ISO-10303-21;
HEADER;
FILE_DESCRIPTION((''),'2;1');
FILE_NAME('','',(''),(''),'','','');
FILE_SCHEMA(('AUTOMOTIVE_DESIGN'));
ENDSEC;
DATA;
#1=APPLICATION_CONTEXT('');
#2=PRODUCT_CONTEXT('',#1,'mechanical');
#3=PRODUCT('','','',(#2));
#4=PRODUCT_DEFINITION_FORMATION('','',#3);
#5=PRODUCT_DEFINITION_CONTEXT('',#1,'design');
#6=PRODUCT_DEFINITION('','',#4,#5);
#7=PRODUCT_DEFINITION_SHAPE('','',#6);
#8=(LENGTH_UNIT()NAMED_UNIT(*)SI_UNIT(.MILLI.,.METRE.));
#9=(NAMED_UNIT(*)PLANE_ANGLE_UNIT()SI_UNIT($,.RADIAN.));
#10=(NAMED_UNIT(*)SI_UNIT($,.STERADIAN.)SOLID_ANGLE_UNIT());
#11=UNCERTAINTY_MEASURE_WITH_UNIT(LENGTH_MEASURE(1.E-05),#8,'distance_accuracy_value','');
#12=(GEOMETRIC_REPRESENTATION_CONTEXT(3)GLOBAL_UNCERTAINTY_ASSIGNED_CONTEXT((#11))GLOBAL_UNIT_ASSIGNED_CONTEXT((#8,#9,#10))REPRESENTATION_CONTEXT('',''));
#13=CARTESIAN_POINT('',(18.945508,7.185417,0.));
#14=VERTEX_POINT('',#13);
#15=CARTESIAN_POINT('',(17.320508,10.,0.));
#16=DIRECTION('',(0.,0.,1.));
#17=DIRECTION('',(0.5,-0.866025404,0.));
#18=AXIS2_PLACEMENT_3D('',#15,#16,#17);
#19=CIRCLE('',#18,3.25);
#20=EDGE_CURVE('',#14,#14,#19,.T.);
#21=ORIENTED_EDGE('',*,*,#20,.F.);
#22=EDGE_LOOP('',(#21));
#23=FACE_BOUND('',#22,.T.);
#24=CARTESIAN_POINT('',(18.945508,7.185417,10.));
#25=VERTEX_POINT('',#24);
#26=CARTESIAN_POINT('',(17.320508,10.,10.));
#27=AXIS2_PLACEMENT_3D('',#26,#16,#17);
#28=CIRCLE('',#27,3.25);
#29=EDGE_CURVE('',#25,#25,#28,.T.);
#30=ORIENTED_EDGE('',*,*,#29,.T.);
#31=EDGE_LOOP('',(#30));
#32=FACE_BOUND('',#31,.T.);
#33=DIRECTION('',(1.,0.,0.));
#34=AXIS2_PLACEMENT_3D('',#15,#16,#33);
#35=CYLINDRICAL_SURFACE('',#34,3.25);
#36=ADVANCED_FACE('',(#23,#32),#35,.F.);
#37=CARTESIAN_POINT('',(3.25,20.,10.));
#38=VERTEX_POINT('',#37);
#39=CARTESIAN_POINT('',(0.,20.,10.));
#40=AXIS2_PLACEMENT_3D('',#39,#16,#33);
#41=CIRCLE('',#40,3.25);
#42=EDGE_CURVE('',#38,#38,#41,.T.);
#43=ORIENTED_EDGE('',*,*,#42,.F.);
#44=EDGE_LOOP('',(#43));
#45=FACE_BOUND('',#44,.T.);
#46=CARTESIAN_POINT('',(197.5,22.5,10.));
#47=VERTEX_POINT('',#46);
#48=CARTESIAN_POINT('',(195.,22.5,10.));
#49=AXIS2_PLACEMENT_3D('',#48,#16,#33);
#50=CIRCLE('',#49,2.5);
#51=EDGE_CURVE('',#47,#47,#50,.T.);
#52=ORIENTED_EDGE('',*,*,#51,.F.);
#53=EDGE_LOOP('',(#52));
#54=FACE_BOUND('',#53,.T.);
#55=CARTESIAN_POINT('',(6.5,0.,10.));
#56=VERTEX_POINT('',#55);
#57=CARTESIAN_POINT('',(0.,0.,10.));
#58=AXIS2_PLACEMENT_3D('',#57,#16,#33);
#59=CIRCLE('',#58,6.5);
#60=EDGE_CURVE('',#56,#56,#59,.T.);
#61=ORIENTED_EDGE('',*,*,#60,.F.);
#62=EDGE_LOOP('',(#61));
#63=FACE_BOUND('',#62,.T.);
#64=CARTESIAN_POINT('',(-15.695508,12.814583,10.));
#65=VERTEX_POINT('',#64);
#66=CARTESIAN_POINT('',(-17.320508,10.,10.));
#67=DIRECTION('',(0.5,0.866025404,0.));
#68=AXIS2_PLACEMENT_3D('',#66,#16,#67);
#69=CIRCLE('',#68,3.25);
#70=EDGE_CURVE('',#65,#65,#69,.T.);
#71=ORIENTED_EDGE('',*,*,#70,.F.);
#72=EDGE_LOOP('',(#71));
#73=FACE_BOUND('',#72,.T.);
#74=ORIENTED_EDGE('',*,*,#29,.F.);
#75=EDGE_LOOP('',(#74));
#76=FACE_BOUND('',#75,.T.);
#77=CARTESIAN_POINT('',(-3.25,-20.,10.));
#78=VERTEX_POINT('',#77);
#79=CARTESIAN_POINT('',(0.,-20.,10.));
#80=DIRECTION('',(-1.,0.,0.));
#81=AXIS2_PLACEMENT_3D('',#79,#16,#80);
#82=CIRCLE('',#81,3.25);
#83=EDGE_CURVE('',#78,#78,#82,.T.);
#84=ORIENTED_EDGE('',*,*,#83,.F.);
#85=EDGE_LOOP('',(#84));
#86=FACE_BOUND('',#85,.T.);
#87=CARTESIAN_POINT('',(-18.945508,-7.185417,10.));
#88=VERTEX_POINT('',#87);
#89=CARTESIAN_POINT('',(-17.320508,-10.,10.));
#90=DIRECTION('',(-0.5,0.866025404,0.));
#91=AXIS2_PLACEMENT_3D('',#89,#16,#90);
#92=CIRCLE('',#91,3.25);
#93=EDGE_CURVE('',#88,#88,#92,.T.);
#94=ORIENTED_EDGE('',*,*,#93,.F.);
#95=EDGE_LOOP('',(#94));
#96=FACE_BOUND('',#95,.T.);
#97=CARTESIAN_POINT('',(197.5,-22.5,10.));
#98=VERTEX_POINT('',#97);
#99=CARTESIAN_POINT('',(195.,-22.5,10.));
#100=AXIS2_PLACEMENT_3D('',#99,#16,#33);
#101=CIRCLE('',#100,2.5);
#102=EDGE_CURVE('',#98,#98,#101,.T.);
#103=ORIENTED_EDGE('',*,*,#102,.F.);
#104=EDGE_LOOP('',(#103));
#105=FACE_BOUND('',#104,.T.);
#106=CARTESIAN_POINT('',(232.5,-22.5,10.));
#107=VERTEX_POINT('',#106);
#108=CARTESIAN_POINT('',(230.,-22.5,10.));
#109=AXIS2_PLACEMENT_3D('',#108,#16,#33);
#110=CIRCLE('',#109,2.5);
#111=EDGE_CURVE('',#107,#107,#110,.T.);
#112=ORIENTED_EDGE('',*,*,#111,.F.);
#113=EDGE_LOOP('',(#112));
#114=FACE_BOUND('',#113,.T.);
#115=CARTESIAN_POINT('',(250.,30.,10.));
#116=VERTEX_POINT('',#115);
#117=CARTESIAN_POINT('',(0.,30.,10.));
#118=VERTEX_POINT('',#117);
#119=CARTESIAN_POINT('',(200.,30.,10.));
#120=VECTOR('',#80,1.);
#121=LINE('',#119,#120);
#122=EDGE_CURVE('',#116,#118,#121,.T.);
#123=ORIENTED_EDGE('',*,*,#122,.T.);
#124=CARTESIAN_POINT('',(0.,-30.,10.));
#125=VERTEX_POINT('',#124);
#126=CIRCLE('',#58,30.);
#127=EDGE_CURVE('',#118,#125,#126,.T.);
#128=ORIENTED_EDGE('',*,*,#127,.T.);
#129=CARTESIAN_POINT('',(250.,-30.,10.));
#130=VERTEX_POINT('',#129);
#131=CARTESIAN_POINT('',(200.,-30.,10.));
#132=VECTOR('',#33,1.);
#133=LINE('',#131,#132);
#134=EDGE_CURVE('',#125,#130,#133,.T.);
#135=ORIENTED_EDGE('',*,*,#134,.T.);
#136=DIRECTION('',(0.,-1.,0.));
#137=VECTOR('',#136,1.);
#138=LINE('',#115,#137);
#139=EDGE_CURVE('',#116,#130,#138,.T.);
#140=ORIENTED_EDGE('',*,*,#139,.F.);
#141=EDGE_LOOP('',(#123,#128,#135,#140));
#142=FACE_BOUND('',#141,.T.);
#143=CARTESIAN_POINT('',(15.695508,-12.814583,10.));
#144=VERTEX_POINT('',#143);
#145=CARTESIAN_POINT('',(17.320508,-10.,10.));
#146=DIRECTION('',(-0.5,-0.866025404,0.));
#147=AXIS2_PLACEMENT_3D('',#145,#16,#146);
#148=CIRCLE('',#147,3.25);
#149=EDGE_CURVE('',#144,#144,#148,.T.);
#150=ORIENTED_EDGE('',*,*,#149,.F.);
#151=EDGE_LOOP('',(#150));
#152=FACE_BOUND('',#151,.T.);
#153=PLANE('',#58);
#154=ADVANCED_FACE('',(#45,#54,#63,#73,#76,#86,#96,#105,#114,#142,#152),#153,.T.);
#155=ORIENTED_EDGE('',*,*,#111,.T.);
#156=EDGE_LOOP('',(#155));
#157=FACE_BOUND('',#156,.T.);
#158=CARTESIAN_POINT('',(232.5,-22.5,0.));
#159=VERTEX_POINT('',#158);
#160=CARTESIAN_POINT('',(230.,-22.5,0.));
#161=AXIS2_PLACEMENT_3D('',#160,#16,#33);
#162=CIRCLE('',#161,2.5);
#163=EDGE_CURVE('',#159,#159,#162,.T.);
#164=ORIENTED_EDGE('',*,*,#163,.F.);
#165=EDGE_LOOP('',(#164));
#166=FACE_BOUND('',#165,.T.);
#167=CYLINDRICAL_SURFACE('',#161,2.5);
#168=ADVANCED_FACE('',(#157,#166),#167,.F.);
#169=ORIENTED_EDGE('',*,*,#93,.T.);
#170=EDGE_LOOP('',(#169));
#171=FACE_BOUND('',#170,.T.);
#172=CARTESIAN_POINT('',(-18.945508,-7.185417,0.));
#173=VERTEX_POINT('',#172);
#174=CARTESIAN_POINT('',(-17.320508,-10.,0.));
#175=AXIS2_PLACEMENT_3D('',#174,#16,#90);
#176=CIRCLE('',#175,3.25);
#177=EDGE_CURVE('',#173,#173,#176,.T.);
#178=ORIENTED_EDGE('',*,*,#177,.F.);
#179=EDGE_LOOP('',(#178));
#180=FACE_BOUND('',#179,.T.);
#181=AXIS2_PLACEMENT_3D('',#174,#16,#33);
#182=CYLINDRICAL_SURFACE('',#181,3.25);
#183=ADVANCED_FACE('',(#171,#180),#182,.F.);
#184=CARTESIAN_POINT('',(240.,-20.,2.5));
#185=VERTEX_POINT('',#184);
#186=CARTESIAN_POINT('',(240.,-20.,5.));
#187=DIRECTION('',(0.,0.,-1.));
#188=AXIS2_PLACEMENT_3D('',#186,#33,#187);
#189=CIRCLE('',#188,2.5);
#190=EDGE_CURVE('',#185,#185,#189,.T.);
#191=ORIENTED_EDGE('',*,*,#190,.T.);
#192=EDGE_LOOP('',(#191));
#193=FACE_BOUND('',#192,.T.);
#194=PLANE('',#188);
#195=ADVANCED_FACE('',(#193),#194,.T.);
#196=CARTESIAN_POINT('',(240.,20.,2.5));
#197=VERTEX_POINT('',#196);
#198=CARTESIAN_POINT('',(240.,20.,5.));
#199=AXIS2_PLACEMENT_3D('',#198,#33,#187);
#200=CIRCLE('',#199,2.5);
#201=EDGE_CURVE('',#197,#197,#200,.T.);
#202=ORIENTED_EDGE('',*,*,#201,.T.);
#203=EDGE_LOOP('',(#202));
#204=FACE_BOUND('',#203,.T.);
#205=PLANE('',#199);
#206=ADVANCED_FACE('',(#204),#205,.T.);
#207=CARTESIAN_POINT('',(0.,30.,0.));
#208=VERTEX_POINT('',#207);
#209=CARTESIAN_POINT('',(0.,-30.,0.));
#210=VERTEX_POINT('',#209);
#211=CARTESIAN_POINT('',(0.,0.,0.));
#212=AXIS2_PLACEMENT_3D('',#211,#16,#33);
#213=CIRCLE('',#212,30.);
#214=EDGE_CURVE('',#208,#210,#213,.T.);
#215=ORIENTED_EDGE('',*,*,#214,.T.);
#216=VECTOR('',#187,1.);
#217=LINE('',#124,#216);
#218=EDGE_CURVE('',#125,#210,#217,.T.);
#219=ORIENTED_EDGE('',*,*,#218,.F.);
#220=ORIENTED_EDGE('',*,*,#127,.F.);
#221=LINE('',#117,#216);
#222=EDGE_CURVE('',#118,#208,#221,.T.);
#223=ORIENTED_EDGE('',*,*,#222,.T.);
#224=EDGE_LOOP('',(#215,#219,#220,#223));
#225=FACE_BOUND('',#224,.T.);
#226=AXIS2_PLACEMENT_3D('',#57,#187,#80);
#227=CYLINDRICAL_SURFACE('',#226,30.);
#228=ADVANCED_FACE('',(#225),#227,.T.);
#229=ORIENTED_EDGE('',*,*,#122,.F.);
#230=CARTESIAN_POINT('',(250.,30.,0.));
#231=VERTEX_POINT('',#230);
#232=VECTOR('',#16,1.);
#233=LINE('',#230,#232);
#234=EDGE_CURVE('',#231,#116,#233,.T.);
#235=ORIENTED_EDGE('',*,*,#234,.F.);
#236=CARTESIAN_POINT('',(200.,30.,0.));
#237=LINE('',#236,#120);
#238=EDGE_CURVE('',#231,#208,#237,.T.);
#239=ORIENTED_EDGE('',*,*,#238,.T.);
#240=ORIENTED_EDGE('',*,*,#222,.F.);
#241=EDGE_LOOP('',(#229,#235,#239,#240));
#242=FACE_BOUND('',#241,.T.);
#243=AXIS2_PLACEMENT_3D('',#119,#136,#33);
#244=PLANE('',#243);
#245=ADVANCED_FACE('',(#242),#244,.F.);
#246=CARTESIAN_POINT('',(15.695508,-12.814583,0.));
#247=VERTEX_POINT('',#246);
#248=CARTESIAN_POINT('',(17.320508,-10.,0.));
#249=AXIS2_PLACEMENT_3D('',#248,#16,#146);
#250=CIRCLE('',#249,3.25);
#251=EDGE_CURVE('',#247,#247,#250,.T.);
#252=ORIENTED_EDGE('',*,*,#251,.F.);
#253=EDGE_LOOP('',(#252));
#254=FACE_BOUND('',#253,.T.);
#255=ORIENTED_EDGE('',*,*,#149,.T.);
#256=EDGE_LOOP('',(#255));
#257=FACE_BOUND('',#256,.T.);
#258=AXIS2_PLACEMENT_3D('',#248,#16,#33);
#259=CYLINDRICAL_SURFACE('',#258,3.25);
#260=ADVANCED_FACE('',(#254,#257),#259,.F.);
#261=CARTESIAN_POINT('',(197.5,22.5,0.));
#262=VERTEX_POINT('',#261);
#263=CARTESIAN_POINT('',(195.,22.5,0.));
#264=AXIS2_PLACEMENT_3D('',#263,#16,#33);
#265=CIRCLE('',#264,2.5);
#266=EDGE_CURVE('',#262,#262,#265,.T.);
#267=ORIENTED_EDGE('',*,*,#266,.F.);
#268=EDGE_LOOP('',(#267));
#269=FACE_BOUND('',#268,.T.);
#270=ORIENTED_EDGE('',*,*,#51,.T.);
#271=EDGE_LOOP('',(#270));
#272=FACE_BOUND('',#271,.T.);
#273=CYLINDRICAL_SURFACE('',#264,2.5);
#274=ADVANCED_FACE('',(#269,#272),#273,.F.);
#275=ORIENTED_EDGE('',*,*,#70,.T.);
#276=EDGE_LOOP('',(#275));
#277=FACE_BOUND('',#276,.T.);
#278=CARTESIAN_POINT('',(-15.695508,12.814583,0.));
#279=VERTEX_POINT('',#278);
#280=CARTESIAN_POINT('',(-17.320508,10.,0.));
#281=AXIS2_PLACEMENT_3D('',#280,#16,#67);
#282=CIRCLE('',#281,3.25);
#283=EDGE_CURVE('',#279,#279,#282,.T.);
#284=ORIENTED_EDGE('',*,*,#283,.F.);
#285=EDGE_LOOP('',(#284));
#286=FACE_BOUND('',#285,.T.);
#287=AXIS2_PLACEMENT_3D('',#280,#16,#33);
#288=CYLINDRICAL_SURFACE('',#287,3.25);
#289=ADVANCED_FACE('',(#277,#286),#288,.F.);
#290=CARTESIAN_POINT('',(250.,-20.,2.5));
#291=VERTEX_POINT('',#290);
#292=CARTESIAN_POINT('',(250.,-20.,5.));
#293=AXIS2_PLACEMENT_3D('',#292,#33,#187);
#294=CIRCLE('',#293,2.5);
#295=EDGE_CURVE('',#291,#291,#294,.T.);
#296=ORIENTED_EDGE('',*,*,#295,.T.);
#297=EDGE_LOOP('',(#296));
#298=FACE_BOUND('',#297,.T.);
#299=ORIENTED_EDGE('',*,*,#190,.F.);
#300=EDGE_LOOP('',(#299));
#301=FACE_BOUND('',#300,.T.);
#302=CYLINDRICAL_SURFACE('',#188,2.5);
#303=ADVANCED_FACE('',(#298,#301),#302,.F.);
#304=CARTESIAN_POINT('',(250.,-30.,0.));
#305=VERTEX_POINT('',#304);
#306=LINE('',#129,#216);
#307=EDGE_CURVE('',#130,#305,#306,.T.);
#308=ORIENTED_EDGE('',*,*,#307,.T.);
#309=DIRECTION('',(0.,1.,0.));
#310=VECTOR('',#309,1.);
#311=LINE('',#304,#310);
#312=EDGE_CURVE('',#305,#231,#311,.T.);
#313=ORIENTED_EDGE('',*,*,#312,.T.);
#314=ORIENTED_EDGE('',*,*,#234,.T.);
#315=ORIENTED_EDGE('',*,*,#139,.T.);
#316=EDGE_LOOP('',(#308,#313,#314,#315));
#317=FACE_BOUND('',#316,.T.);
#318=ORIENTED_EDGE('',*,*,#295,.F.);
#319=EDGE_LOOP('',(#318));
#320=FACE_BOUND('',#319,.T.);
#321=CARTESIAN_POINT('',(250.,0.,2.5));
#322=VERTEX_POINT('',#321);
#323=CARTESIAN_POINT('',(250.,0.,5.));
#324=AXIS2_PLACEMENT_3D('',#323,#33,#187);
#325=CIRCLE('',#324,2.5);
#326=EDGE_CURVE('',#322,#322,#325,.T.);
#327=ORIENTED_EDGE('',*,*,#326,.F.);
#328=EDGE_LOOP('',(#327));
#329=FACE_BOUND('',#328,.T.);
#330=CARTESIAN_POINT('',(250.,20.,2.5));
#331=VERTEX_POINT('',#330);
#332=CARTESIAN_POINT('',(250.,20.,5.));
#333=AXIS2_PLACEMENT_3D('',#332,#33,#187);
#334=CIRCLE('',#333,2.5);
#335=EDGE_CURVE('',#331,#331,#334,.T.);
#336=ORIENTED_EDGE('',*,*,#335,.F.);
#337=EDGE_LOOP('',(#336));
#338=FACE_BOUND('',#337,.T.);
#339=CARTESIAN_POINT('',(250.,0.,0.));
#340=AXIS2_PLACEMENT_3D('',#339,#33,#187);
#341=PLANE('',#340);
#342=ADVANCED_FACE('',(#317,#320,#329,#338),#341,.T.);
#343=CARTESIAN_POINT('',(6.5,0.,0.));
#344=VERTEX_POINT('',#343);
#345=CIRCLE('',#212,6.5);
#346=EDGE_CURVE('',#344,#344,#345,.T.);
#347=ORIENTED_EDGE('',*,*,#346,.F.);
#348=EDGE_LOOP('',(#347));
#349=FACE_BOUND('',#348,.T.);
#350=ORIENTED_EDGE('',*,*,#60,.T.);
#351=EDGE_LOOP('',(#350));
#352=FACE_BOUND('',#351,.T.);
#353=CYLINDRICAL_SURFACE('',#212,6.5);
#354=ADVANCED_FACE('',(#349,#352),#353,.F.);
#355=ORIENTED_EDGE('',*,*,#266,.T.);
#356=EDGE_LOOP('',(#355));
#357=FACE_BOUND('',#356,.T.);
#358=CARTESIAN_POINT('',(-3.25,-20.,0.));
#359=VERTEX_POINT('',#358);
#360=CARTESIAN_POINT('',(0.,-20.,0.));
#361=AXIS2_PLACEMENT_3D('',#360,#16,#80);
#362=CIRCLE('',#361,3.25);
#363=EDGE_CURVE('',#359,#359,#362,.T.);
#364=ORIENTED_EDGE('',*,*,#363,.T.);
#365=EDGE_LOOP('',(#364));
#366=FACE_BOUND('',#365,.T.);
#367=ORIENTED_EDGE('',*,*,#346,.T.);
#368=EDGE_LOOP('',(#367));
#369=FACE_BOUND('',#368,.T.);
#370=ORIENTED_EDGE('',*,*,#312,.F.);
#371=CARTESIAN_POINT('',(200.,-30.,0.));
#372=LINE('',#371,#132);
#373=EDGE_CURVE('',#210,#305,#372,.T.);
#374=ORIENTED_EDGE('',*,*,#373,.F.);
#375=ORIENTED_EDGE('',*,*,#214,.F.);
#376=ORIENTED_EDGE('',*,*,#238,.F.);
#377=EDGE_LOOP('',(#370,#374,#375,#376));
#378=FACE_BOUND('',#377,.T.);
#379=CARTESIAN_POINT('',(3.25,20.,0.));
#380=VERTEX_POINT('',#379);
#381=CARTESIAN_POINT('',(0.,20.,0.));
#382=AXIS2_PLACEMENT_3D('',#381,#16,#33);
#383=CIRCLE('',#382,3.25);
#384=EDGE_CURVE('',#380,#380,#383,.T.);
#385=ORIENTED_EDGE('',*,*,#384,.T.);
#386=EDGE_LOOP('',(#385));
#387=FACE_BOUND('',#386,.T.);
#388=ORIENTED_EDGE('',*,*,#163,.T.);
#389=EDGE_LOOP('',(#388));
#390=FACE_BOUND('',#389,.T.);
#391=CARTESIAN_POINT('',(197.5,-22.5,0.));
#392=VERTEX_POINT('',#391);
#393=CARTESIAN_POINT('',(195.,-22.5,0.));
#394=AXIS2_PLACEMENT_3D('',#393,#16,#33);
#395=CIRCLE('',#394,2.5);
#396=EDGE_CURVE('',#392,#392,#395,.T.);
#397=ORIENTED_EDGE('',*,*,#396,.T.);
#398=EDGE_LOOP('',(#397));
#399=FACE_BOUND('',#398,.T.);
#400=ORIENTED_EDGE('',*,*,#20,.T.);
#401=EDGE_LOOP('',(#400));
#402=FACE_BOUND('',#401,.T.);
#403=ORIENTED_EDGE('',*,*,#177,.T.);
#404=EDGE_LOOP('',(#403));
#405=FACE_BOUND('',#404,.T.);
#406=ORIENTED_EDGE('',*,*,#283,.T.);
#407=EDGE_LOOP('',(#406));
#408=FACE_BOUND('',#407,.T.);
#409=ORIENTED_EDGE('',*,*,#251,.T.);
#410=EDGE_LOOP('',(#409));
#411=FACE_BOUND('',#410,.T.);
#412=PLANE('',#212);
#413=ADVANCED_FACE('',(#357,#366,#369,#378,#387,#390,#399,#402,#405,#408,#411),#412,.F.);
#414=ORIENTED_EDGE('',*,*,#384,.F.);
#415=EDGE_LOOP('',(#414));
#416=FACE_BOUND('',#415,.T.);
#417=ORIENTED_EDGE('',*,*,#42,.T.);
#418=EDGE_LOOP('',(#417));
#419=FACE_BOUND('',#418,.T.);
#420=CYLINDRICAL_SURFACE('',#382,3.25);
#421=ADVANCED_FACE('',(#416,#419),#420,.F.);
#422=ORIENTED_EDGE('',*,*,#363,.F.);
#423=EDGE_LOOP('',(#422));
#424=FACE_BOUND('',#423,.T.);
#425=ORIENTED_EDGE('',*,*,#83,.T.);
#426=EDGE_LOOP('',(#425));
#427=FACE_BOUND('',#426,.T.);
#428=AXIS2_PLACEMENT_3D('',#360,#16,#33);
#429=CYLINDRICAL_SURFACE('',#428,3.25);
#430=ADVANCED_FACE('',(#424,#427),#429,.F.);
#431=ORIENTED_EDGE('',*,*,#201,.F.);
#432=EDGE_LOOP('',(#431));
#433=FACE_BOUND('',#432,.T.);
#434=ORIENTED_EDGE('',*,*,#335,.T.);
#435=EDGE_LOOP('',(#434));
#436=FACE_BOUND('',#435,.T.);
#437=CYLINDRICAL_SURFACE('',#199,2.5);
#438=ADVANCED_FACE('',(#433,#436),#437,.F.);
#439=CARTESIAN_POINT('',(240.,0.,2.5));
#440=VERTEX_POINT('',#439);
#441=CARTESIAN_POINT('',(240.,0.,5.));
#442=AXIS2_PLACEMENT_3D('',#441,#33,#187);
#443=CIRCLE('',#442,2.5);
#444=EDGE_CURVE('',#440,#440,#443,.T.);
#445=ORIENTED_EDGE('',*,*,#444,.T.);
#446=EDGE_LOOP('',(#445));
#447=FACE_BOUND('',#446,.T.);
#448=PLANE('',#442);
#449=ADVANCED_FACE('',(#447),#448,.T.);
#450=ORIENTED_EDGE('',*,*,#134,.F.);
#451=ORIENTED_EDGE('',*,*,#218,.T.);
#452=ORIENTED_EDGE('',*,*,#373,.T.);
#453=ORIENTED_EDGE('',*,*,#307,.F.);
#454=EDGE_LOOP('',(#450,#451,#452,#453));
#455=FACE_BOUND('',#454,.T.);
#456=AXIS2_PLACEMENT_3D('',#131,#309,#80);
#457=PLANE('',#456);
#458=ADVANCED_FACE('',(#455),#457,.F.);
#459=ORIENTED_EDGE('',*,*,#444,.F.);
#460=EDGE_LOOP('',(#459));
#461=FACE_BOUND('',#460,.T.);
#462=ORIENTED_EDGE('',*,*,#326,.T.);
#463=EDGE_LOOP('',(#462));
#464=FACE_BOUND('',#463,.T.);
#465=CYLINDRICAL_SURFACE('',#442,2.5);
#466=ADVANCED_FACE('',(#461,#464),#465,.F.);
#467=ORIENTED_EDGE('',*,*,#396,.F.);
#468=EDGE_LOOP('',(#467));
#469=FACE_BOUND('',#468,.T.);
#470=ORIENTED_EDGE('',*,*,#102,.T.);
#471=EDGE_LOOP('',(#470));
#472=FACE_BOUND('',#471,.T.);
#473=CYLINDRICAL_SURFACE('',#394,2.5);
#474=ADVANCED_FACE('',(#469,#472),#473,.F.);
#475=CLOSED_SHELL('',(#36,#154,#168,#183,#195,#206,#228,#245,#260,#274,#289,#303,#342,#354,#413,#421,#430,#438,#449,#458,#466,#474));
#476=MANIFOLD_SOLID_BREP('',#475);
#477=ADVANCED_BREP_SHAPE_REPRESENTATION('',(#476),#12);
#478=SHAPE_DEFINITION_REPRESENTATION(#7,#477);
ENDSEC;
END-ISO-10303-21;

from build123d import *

# Parameters (mm, degrees)
SALIENTE_EXTRUIR1_DEPTH = 10
CROQUIS6_R              = 17.5
CORTAR_EXTRUIR5_DEPTH   = 203.484567313
CROQUIS7_R              = 2.5
CORTAR_EXTRUIR6_DEPTH   = 10
SKETCH1_W               = 10
SKETCH1_H               = 60
BOSS_EXTRUDE1_DEPTH     = 50
SKETCH2_R               = 2.5
CUT_EXTRUDE1_DEPTH      = 10
SKETCH5_R               = 2.5
CUT_EXTRUDE2_DEPTH      = 252.992063367
SKETCH6_R               = 17.5
SKETCH6_R_2             = 6.5
BOSS_EXTRUDE2_DEPTH     = 10
SKETCH7_R               = 3.25
CUT_EXTRUDE3_DEPTH      = 10
CIRPATTERN1_COUNT       = 6


with BuildPart() as part:
    # Croquis1 → Saliente-Extruir1 (new body)
    with BuildSketch(Plane.XY):
        with BuildLine():
            Line((200, 30), (200, -30))
            Line((200, -30), (0, -30))
            ThreePointArc((0, -30), (-30, 0), (0, 30))
            Line((0, 30), (200, 30))
        make_face()
    extrude(amount=SALIENTE_EXTRUIR1_DEPTH)

    # Croquis6 → Cortar-Extruir5 (cut, through all)
    with BuildSketch(Plane.XY.offset(10)):
        Circle(CROQUIS6_R)
    extrude(amount=-CORTAR_EXTRUIR5_DEPTH, mode=Mode.SUBTRACT)

    # Croquis7 → Cortar-Extruir6 (cut)
    with BuildSketch(Plane.XY.offset(10)):
        with Locations((195, 22.5)):
            Circle(CROQUIS7_R)
        with Locations((195, -22.5)):
            Circle(CROQUIS7_R)
    extrude(amount=-CORTAR_EXTRUIR6_DEPTH, mode=Mode.SUBTRACT)

    # Sketch1 → Boss-Extrude1 (add)
    with BuildSketch(Plane(origin=(200, 0, 0), x_dir=(0, 0, -1), z_dir=(1, 0, 0))):
        with Locations((-5, 0)):
            Rectangle(SKETCH1_W, SKETCH1_H)
    extrude(amount=BOSS_EXTRUDE1_DEPTH)

    # Sketch2 → Cut-Extrude1 (cut)
    with BuildSketch(Plane(origin=(250, 0, 0), x_dir=(0, 0, -1), z_dir=(1, 0, 0))):
        with Locations((-5, 0)):
            Circle(SKETCH2_R)
        with Locations((-5, 20)):
            Circle(SKETCH2_R)
        with Locations((-5, -20)):
            Circle(SKETCH2_R)
    extrude(amount=-CUT_EXTRUDE1_DEPTH, mode=Mode.SUBTRACT)

    # Sketch5 → Cut-Extrude2 (cut, through all)
    with BuildSketch(Plane.XY.offset(10)):
        with Locations((230, -22.5)):
            Circle(SKETCH5_R)
    extrude(amount=-CUT_EXTRUDE2_DEPTH, mode=Mode.SUBTRACT)

    # Sketch6 → Boss-Extrude2 (add)
    with BuildSketch(Plane.XY.offset(10)):
        Circle(SKETCH6_R)
        Circle(SKETCH6_R_2, mode=Mode.SUBTRACT)
    extrude(amount=-BOSS_EXTRUDE2_DEPTH)

    # Sketch7 → Cut-Extrude3 (cut)
    with BuildSketch(Plane.XY.offset(10)):
        with Locations((0, 20)):
            Circle(SKETCH7_R)
    cut_extrude3 = extrude(amount=-CUT_EXTRUDE3_DEPTH, mode=Mode.SUBTRACT)

    # CirPattern1: Cut-Extrude3 ×6 about axis
    cirpattern1_axis = Axis((0, 0, 0), (0, 0, 1))
    for i in range(1, CIRPATTERN1_COUNT):
        add(cut_extrude3.rotate(cirpattern1_axis, i * 360 / CIRPATTERN1_COUNT), mode=Mode.SUBTRACT)


solid = part.part
